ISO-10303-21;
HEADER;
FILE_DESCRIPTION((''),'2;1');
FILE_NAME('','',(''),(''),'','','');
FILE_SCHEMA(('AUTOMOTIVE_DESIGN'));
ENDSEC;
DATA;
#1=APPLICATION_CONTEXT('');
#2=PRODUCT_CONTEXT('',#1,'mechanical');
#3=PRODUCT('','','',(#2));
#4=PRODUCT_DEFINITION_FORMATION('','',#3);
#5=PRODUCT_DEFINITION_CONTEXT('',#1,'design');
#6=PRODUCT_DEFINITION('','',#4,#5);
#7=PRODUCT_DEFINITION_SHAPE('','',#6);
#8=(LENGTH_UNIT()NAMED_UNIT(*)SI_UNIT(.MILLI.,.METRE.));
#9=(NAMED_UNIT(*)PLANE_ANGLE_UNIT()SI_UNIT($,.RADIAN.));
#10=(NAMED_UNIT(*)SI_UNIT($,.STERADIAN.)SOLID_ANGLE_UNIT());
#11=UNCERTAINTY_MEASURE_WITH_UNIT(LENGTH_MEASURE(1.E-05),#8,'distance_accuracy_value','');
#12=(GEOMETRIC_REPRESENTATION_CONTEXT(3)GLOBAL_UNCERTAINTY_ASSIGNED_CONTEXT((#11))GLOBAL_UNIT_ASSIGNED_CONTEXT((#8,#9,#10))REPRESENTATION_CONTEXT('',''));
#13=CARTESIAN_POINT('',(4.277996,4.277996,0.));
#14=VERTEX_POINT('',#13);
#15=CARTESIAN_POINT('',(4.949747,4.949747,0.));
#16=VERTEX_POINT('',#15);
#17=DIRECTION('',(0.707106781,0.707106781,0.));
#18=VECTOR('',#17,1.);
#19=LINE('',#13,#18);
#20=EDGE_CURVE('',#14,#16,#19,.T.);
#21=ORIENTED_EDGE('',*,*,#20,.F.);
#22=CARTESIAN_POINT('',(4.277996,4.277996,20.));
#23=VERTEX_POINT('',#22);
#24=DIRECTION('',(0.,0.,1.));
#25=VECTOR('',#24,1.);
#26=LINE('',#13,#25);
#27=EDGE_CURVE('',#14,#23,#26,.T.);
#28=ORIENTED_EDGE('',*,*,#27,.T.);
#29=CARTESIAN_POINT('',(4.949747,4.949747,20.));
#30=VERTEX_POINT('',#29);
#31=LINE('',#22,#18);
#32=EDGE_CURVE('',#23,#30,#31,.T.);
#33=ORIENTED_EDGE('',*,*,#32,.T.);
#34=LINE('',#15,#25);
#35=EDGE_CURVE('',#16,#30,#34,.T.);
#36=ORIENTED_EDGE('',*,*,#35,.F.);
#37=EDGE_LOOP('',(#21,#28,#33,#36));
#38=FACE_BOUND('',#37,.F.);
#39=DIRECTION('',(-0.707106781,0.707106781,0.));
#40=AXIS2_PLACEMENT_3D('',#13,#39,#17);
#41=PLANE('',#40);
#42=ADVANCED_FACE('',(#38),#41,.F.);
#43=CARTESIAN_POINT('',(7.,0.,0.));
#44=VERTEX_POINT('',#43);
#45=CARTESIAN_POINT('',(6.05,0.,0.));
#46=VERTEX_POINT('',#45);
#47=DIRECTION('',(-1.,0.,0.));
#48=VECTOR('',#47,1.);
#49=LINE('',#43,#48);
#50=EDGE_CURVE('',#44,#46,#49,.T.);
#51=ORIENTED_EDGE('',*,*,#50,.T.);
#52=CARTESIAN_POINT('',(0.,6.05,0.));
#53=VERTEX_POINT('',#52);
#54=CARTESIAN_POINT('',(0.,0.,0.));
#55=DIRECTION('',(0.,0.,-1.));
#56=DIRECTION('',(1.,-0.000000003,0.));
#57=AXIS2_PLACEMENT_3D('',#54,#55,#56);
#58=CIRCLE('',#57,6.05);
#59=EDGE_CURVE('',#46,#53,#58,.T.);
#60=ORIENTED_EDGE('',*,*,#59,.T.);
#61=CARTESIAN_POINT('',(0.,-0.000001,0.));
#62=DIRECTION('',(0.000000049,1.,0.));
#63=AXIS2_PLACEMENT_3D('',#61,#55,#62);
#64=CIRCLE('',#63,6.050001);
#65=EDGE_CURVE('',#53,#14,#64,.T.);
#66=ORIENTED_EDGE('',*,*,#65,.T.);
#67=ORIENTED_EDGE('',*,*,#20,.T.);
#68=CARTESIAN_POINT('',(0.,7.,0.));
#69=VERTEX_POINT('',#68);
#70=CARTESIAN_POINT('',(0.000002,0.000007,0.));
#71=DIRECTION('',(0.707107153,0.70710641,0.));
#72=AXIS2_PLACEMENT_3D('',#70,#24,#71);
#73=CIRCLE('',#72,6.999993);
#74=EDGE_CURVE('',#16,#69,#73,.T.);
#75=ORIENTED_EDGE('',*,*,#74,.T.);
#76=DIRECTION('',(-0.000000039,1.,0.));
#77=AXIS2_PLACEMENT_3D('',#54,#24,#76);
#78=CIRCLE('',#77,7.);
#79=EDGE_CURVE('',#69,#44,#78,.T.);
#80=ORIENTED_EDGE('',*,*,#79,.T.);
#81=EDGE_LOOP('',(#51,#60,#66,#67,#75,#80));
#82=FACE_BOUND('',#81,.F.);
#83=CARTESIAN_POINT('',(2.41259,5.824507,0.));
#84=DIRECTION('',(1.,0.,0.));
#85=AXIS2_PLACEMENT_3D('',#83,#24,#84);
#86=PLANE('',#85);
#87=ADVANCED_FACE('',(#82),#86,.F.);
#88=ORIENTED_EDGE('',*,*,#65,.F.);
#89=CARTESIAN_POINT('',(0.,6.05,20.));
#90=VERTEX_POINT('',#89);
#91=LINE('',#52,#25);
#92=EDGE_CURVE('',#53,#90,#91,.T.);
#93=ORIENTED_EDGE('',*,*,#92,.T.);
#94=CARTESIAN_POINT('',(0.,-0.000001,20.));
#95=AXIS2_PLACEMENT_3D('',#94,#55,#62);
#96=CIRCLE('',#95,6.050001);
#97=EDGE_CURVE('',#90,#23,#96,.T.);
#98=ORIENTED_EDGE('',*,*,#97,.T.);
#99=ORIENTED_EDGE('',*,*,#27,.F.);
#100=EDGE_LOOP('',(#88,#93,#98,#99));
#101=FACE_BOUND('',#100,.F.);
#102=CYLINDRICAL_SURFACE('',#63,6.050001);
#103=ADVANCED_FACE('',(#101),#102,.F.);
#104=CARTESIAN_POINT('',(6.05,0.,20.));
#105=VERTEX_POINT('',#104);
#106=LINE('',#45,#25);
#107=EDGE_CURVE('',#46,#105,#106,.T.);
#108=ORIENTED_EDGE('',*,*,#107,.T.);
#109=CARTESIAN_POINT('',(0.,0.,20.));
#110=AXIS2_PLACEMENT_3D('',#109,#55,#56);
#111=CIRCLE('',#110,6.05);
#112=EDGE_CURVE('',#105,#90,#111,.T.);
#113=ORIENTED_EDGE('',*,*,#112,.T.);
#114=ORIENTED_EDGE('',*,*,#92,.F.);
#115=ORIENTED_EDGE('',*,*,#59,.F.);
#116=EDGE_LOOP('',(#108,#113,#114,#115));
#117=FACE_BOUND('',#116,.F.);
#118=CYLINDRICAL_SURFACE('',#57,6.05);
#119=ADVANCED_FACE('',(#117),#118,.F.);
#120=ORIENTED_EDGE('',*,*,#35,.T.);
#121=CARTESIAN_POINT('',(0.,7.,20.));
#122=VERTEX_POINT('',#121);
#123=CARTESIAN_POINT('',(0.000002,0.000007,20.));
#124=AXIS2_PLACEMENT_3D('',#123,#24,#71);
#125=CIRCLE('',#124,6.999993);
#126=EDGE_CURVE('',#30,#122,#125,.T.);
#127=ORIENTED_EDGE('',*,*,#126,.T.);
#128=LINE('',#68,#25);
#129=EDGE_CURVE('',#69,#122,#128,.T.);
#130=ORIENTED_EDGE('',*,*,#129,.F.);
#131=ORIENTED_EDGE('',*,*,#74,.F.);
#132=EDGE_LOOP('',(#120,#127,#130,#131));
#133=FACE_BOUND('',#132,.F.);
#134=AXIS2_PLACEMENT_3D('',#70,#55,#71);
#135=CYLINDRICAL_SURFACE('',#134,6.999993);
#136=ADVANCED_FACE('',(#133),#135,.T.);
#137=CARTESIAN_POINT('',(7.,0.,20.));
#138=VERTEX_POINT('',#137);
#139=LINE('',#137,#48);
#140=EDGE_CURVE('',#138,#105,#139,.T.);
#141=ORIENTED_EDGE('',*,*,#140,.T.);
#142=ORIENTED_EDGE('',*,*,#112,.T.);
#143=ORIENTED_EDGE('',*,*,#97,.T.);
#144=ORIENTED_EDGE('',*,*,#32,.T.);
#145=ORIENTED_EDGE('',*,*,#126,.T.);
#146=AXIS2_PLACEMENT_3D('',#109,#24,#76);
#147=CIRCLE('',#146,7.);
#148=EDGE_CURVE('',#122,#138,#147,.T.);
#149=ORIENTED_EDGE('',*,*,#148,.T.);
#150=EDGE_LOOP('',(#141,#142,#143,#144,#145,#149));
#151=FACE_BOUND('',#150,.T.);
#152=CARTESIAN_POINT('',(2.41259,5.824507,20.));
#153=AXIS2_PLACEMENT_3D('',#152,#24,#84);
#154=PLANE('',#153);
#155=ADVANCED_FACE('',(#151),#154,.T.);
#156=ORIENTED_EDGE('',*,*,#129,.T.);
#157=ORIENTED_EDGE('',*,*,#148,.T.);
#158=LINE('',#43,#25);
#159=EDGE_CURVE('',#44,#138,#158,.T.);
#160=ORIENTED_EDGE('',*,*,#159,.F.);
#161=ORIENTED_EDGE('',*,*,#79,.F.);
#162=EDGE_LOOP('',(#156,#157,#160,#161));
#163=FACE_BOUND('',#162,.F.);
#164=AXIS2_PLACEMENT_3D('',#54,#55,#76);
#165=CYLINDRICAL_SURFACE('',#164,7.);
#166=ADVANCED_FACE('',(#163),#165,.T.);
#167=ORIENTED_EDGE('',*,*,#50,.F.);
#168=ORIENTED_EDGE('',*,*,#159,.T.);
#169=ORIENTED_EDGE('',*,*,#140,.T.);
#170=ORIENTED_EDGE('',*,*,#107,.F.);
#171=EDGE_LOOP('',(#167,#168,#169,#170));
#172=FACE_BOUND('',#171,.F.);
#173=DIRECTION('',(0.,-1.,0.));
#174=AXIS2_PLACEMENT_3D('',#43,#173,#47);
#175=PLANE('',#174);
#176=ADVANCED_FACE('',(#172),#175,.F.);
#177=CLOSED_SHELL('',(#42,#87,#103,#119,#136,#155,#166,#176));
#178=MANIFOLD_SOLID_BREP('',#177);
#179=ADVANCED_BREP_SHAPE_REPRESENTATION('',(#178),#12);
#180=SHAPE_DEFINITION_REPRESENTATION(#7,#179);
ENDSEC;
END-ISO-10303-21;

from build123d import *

# Parameters (mm, degrees)
F1_DEPTH = 20


with BuildPart() as f1:
    # F0 (on Top) → F1 (new body)
    with BuildSketch(Plane.XY):
        with BuildLine():
            ThreePointArc((4.949747, 4.949747), (2.678784, 6.467157), (0, 7))
            Line((0, 7), (0, 6.05))
            ThreePointArc((0, 6.05), (2.315235, 5.589471), (4.277996, 4.277996))
            Line((4.277996, 4.277996), (4.949747, 4.949747))
        make_face()
        with BuildLine():
            Line((0, 6.05), (0, 7))
            ThreePointArc((0, 7), (-4.949747, -4.949747), (7, 0))
            Line((7, 0), (6.05, 0))
            ThreePointArc((6.05, 0), (-4.277996, -4.277996), (0, 6.05))
        make_face()
    extrude(amount=F1_DEPTH)


solid = f1.part
